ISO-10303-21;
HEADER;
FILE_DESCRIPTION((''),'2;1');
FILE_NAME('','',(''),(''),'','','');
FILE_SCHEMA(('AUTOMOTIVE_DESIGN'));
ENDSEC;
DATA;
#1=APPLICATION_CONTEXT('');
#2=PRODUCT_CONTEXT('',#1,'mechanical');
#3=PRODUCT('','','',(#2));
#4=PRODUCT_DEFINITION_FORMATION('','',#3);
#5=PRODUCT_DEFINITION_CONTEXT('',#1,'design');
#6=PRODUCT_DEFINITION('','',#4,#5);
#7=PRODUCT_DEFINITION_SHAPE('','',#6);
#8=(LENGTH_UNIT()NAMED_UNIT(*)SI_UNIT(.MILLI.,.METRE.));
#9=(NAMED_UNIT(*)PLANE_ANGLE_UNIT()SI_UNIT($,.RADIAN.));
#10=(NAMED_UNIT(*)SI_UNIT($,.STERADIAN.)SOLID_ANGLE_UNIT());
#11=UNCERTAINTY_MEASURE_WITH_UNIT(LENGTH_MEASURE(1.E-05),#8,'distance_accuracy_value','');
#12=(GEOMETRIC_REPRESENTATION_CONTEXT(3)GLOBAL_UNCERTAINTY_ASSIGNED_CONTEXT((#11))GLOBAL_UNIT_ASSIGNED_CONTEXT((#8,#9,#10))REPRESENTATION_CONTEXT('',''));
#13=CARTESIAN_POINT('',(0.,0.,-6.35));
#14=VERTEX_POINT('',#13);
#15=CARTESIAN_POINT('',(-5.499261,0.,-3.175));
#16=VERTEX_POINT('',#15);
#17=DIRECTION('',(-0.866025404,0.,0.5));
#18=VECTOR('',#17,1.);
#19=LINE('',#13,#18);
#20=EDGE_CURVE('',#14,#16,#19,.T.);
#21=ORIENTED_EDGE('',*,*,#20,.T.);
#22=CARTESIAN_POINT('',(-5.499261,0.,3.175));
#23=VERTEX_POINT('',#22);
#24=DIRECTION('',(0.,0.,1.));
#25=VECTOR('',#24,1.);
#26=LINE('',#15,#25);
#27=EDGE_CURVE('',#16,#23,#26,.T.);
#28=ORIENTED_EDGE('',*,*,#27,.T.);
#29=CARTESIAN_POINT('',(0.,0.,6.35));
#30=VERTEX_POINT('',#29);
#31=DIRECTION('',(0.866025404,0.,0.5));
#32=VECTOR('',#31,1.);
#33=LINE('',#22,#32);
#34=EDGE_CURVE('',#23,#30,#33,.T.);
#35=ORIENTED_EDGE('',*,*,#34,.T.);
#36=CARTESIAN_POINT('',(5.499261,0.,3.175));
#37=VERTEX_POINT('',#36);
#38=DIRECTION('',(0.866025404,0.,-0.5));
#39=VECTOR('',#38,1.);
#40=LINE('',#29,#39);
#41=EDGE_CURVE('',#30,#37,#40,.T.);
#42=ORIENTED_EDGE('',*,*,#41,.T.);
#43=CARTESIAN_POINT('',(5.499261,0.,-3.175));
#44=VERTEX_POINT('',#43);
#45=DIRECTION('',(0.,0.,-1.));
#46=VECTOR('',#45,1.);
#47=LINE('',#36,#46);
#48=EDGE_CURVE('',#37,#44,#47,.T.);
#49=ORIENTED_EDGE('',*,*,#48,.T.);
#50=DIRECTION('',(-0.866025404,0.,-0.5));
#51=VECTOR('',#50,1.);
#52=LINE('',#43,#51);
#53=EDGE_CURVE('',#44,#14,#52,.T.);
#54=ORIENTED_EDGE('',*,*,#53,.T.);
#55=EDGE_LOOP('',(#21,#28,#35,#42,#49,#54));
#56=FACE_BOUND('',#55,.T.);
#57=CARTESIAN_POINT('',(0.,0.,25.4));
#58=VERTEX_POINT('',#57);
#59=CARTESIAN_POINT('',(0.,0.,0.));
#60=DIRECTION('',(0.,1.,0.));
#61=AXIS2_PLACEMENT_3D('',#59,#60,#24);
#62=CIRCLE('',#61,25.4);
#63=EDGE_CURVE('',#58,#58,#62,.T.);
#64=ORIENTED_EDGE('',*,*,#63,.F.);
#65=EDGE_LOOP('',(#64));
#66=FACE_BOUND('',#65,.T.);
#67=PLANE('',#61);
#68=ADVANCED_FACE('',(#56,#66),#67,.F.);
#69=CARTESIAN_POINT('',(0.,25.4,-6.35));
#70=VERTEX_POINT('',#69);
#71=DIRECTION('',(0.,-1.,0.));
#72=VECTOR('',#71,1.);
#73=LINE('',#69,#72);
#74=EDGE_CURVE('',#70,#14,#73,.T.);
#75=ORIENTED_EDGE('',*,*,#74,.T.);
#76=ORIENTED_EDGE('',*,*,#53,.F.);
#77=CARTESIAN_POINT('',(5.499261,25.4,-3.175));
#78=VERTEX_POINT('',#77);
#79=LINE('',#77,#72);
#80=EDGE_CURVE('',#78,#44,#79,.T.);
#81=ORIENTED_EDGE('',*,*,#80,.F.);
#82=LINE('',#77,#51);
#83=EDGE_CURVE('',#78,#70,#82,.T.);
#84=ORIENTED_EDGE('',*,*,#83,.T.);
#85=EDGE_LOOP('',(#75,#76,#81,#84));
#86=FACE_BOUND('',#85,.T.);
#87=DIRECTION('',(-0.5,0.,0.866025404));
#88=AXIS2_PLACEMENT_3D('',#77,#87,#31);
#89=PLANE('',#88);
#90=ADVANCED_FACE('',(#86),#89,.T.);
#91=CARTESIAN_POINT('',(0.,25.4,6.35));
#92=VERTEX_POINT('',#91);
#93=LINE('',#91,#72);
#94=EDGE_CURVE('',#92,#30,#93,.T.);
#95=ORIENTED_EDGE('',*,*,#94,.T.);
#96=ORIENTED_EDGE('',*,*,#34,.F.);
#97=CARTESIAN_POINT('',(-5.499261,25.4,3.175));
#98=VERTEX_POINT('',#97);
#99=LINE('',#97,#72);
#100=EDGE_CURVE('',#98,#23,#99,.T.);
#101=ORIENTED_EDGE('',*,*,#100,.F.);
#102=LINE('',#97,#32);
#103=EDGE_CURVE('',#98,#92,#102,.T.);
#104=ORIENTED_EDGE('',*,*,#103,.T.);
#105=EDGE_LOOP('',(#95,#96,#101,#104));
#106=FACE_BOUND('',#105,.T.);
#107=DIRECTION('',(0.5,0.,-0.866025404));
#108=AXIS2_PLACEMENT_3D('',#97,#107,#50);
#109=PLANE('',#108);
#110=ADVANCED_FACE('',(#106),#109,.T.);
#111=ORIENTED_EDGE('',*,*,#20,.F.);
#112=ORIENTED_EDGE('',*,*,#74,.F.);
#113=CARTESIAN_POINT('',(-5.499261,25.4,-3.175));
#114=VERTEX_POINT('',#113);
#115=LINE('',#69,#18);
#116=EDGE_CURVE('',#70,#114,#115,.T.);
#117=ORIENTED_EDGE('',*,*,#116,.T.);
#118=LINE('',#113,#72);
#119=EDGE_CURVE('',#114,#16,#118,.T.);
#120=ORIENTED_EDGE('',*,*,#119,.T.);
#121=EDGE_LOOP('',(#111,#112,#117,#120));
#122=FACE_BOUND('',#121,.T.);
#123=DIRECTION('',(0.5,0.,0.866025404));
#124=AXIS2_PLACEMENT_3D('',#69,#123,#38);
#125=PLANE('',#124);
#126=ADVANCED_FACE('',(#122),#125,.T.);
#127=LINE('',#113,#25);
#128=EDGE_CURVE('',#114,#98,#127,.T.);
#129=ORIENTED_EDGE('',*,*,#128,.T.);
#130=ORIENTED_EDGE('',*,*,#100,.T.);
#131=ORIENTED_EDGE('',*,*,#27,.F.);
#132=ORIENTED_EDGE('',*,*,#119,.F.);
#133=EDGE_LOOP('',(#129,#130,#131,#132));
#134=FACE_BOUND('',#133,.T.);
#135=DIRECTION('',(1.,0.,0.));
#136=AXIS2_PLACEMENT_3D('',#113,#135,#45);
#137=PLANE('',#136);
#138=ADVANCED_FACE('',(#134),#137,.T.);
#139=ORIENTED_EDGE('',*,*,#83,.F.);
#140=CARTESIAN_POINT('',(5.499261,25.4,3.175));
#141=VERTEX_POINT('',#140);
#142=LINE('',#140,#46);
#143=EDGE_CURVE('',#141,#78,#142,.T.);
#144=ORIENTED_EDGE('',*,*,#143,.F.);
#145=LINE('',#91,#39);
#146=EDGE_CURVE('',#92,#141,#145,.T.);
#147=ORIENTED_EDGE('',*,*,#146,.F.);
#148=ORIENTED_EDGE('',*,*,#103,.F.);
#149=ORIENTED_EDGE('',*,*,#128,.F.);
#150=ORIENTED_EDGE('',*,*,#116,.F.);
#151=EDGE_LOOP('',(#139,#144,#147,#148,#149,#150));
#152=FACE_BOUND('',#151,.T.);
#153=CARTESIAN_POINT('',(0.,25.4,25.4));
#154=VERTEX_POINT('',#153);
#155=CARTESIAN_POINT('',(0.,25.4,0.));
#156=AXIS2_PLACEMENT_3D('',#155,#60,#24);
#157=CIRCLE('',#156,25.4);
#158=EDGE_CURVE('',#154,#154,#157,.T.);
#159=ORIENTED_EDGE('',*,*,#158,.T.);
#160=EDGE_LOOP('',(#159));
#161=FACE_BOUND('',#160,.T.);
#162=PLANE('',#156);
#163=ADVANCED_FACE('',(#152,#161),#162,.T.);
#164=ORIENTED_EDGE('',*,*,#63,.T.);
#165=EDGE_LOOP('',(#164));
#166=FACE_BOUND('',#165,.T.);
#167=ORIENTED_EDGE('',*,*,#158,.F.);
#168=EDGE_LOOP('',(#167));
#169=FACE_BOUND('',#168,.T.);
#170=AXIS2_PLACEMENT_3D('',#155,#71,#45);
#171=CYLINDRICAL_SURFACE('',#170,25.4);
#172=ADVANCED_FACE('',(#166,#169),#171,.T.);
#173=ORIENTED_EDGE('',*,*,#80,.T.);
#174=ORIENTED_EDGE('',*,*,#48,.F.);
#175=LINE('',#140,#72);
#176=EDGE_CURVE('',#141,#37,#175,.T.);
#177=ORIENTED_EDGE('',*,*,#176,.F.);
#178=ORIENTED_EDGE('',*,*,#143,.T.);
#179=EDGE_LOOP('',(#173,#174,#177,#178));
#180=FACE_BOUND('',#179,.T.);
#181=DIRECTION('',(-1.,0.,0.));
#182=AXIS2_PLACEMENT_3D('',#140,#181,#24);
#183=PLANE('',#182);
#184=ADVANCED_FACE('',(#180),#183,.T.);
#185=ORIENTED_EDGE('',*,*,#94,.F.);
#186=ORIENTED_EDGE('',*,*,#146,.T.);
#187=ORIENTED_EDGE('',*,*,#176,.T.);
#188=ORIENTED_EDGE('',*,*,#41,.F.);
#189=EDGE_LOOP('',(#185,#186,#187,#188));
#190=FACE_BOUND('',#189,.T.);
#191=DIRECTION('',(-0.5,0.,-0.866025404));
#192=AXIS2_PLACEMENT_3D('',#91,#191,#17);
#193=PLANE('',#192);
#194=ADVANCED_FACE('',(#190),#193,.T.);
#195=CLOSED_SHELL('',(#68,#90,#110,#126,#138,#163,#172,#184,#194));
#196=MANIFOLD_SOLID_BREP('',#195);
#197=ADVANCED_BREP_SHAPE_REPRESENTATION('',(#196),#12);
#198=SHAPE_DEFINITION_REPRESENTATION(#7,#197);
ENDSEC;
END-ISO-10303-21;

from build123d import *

# Parameters (mm, degrees)
SKETCH1_R           = 25.4
BOSS_EXTRUDE1_DEPTH = 25.4


with BuildPart() as part:
    # Sketch1 → Boss-Extrude1 (new body)
    with BuildSketch(Plane(origin=(0, 0, 0), x_dir=(1, 0, 0), z_dir=(0, 1, 0))):
        Circle(SKETCH1_R)
        Polygon((5.499261314, -3.175), (5.499261314, 3.175), (0, 6.35), (-5.499261314, 3.175), (-5.499261314, -3.175), (0, -6.35), align=None, mode=Mode.SUBTRACT)
    extrude(amount=BOSS_EXTRUDE1_DEPTH)


solid = part.part
